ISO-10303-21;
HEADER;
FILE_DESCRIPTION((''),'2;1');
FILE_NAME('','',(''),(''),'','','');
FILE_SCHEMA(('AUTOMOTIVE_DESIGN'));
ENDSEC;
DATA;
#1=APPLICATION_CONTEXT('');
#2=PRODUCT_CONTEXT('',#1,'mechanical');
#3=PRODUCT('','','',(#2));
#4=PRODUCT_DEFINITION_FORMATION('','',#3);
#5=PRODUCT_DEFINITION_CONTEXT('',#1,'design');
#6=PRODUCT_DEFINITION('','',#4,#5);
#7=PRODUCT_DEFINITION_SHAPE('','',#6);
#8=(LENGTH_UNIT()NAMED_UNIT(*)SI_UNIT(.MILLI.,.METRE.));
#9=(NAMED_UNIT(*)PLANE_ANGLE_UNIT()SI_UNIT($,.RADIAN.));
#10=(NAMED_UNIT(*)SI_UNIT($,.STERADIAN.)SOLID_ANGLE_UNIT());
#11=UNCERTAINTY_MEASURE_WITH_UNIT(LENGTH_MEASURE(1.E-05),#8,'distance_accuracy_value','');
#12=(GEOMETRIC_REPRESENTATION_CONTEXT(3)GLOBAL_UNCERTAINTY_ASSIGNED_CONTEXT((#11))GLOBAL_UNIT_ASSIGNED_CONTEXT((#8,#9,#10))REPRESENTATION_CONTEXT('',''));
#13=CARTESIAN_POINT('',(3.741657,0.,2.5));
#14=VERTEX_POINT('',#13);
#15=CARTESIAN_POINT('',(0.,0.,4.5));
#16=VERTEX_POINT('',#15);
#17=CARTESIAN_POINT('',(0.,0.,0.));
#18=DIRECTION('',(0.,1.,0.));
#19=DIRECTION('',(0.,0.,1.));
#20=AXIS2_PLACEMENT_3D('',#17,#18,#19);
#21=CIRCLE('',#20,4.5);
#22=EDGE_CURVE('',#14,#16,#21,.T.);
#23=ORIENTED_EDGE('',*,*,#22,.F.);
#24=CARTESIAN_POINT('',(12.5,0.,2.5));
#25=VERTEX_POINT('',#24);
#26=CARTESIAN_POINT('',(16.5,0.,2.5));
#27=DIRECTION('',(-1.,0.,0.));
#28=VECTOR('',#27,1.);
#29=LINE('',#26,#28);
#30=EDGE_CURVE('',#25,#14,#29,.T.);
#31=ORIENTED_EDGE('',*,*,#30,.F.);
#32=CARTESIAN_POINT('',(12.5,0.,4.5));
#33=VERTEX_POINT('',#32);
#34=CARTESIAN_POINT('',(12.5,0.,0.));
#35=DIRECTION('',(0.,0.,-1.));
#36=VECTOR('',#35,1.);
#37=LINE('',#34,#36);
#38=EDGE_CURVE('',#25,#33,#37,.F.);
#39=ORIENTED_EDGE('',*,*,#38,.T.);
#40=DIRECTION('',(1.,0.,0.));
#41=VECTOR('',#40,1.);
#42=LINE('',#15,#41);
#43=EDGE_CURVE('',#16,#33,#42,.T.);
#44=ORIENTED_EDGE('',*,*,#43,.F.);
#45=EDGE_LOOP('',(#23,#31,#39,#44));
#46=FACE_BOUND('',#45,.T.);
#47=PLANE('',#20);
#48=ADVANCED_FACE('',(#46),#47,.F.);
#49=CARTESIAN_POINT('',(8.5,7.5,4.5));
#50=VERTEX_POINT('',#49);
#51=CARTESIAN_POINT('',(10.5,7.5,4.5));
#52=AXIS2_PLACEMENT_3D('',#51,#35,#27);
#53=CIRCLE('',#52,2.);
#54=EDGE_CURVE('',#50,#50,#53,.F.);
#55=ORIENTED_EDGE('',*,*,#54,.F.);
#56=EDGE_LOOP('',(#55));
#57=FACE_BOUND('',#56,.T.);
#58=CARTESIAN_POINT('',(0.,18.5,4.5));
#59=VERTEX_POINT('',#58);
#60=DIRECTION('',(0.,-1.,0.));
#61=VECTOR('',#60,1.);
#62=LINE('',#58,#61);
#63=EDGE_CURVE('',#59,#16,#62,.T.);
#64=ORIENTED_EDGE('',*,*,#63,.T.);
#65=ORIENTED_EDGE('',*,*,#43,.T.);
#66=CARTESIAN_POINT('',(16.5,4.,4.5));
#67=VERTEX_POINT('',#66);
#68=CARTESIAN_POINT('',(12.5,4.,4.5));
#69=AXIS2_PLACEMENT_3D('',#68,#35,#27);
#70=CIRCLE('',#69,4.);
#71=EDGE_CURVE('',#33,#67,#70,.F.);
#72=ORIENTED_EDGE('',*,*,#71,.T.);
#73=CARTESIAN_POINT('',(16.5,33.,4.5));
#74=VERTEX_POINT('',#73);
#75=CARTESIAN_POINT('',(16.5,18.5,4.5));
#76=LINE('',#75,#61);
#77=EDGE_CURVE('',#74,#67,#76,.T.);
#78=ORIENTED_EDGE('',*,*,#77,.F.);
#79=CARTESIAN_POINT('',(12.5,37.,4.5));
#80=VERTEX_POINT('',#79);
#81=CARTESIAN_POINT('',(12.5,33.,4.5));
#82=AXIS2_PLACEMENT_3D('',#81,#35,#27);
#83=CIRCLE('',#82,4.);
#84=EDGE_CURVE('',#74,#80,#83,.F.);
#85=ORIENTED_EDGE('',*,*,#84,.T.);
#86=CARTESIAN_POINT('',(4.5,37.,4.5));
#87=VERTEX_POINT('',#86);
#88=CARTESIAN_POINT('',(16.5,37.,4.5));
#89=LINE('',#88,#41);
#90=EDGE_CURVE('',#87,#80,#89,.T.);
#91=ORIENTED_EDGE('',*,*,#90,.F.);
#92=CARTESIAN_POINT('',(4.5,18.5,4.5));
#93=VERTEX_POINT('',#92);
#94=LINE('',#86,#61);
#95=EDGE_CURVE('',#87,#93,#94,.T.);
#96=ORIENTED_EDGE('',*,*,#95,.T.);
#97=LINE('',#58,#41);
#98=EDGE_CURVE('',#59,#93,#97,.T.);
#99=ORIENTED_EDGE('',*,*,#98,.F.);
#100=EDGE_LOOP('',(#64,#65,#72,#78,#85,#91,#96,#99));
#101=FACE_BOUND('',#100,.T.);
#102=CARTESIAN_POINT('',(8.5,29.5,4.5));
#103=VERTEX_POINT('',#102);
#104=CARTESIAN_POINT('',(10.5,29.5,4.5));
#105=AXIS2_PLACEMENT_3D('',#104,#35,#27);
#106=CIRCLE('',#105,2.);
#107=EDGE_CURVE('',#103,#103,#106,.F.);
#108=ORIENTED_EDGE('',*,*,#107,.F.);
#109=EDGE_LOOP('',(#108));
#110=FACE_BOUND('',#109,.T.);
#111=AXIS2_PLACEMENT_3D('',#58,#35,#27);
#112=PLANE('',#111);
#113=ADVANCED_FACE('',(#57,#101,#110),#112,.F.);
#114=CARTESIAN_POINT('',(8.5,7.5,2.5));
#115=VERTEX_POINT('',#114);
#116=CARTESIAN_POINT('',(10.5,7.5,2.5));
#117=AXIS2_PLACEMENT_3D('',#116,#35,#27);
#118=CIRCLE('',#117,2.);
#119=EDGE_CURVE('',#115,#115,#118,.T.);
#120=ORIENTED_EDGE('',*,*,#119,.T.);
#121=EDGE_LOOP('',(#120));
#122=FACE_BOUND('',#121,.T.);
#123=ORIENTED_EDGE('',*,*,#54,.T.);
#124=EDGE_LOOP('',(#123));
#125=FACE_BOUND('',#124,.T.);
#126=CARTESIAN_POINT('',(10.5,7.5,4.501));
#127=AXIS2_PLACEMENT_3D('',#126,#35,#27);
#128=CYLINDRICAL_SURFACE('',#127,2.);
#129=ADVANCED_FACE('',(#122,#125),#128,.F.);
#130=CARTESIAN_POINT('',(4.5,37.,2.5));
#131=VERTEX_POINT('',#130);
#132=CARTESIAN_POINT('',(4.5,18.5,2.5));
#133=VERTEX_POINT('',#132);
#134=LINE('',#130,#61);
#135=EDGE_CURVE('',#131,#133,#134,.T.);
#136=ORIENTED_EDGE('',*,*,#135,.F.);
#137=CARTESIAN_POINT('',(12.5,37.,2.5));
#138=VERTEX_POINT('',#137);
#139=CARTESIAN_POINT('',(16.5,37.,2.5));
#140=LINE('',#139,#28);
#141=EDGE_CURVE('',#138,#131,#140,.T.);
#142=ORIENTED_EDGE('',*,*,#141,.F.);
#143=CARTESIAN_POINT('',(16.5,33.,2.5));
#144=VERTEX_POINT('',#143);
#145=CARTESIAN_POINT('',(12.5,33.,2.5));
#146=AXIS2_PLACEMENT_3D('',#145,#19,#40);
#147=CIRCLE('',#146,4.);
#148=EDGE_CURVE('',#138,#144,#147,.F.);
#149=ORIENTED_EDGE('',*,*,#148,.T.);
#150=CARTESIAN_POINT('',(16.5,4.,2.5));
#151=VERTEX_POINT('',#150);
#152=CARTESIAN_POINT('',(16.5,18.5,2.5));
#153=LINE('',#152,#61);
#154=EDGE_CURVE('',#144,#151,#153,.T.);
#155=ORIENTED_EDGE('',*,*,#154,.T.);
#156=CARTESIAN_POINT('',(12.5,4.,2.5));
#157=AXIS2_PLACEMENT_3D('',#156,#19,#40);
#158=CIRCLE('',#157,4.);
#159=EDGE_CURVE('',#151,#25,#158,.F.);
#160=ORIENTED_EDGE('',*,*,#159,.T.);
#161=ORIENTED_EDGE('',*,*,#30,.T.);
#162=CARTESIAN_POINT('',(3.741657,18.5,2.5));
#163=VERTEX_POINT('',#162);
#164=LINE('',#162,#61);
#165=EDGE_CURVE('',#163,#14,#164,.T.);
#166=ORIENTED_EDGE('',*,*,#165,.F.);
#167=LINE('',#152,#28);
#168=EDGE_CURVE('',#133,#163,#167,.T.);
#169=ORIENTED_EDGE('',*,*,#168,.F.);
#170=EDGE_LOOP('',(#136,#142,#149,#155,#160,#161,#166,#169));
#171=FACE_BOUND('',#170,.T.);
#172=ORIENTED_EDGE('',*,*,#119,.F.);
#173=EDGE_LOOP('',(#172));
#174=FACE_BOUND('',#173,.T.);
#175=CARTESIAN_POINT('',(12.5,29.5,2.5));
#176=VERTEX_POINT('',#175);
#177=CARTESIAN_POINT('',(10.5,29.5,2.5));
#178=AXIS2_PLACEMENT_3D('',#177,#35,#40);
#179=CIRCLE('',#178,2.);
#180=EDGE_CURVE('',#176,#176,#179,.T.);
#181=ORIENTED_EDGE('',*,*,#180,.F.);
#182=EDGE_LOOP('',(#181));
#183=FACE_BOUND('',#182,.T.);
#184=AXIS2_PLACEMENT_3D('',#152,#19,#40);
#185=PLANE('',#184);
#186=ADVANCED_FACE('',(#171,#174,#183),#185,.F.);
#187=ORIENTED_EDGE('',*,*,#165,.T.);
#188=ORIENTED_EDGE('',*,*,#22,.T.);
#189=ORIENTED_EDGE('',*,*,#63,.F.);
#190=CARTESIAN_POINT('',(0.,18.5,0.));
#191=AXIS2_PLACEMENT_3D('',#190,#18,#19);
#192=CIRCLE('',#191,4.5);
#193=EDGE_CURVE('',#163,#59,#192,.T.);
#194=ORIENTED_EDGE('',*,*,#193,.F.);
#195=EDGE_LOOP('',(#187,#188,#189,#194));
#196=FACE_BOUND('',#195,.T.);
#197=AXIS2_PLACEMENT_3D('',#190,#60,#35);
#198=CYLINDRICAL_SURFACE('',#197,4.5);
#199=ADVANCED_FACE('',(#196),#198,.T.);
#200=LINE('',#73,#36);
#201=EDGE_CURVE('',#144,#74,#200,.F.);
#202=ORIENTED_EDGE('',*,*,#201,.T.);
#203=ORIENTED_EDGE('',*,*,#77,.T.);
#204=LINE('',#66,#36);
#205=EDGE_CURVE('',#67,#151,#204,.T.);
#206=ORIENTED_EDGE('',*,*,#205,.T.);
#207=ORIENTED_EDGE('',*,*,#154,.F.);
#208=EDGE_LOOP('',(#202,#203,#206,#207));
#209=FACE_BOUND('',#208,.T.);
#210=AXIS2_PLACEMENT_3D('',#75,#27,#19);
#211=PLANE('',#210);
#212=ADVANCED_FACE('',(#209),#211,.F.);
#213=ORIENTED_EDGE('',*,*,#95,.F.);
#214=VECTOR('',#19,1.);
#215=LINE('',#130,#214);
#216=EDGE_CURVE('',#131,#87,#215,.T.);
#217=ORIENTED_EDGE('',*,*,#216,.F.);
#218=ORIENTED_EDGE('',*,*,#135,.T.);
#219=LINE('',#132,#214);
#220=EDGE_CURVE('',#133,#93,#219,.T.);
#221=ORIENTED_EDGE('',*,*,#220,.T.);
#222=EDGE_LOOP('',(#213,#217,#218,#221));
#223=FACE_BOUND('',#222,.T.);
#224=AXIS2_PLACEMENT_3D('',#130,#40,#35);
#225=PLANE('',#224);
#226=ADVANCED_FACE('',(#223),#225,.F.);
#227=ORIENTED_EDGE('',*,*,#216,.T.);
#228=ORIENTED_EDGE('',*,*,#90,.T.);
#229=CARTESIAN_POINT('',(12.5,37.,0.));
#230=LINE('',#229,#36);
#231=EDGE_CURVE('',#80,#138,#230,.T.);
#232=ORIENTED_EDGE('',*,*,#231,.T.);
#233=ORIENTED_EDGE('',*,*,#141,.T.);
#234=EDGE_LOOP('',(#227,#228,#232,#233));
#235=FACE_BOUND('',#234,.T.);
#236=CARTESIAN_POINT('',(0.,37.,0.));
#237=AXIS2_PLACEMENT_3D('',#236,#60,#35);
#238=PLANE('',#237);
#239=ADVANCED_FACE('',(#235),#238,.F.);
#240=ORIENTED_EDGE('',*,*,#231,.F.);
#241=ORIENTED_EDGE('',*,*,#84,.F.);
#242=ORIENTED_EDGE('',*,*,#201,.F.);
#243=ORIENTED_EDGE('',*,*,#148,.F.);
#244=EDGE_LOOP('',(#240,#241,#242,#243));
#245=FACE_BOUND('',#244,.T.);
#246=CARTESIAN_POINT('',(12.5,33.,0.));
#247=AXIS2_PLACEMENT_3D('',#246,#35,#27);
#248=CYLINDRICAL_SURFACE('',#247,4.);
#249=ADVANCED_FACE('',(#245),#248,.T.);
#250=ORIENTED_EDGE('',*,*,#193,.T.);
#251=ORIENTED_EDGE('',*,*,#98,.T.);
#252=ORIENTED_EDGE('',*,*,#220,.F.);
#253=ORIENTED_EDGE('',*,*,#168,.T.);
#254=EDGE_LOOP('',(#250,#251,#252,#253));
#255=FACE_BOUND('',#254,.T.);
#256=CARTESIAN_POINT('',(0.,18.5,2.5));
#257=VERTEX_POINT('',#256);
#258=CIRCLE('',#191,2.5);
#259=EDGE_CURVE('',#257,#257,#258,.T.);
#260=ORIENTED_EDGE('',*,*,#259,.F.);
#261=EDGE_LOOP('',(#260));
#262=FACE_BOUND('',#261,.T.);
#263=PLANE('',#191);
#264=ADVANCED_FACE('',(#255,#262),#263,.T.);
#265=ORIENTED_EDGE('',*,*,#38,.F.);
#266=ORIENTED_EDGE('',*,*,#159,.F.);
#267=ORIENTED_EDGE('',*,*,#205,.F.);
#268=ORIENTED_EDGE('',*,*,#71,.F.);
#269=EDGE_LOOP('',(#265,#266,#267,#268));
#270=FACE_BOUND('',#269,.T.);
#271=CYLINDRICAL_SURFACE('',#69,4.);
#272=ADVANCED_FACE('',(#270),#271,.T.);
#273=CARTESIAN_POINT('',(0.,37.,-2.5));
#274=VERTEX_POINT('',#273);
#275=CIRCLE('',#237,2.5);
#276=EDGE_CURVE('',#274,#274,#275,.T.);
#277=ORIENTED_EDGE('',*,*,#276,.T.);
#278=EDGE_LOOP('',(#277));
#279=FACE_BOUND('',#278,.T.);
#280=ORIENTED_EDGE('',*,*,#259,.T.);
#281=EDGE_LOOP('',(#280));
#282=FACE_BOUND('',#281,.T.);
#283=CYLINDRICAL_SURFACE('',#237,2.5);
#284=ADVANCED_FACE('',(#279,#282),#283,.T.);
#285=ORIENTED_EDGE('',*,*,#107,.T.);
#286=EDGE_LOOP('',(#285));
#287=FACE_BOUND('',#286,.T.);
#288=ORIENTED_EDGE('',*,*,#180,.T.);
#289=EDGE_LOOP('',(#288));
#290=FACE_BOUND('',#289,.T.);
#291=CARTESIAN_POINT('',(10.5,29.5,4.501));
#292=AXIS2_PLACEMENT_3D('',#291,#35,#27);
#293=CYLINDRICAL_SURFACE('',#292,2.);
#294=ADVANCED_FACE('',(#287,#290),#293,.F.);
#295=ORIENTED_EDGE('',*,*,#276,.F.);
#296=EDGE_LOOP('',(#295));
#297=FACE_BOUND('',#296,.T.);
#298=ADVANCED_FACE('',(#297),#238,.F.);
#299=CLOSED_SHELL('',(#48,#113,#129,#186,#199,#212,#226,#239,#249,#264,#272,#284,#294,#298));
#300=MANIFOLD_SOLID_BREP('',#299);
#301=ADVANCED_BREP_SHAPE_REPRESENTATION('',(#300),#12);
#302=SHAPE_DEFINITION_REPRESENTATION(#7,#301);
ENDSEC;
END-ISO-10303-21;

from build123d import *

# Parameters (mm, degrees)
SKETCH_1_R          = 2.5
EXTRUDE_1_DEPTH     = 18.5
SKETCH_2_W          = 12
SKETCH_2_H          = 2
EXTRUDE_2_DEPTH     = 18.5
CUT_EXTRUDE_1_REACH = 43.113
SKETCH_3_R          = 2
FILLET_1_R          = 4
SKETCH_4_R          = 2.5
EXTRUDE_3_DEPTH     = 37


with BuildPart() as part:
    # 草图1 → 凸台-拉伸1 (new body)
    with BuildSketch(Plane(origin=(0, 0, 0), x_dir=(1, 0, 0), z_dir=(0, 1, 0))):
        with BuildLine():
            Line((0, -4.5), (16.5, -4.5))
            Line((16.5, -4.5), (16.5, -2.5))
            Line((16.5, -2.5), (3.741657387, -2.5))
            ThreePointArc((3.741657387, -2.5), (-2.121320344, 3.968626967), (0, -4.5))
        make_face()
        with Locations(Location((0, 0, 0), (0, 0, 270))):
            Circle(SKETCH_1_R, mode=Mode.SUBTRACT)
    extrude(amount=EXTRUDE_1_DEPTH)

    # 草图2 → 凸台-拉伸2 (add)
    with BuildSketch(Plane(origin=(0, 18.5, 0), x_dir=(1, 0, 0), z_dir=(0, 1, 0))):
        with Locations((10.5, -3.5)):
            Rectangle(SKETCH_2_W, SKETCH_2_H)
    extrude(amount=EXTRUDE_2_DEPTH)

    # 草图3 → 切除-拉伸1 (cut, up to next)
    with BuildSketch(Plane(origin=(0, 0, 2.5), x_dir=(-1, 0, 0), z_dir=(0, 0, -1)), mode=Mode.PRIVATE) as cut_extrude_1_sk1:
        with Locations((-10.5, 7.5)):
            Circle(SKETCH_3_R)
    cut_extrude_1_tool1 = extrude(cut_extrude_1_sk1.sketch, amount=-CUT_EXTRUDE_1_REACH, mode=Mode.PRIVATE) & part.part
    # 草图3 → 切除-拉伸1 (cut, up to next)
    with BuildSketch(Plane(origin=(0, 0, 2.5), x_dir=(-1, 0, 0), z_dir=(0, 0, -1)), mode=Mode.PRIVATE) as cut_extrude_1_sk2:
        with Locations((-10.5, 29.5)):
            Circle(SKETCH_3_R)
    cut_extrude_1_tool2 = extrude(cut_extrude_1_sk2.sketch, amount=-CUT_EXTRUDE_1_REACH, mode=Mode.PRIVATE) & part.part
    add(cut_extrude_1_tool1.solids().sort_by_distance((10.5, 7.5, 2.5))[0], mode=Mode.SUBTRACT)
    add(cut_extrude_1_tool2.solids().sort_by_distance((10.5, 29.5, 2.5))[0], mode=Mode.SUBTRACT)

    # 圆角1
    fillet_1_edges = [part.edges().sort_by_distance(p)[0] for p in [
        (16.5, 37, 3.5),
        (16.5, 0, 3.5),
    ]]
    fillet(fillet_1_edges, radius=FILLET_1_R)

    # 草图4 → 凸台-拉伸3 (add)
    with BuildSketch(Plane.XZ):
        with Locations(Location((0, 0, 0), (0, 0, 270))):
            Circle(SKETCH_4_R)
    extrude(amount=-EXTRUDE_3_DEPTH)


solid = part.part
